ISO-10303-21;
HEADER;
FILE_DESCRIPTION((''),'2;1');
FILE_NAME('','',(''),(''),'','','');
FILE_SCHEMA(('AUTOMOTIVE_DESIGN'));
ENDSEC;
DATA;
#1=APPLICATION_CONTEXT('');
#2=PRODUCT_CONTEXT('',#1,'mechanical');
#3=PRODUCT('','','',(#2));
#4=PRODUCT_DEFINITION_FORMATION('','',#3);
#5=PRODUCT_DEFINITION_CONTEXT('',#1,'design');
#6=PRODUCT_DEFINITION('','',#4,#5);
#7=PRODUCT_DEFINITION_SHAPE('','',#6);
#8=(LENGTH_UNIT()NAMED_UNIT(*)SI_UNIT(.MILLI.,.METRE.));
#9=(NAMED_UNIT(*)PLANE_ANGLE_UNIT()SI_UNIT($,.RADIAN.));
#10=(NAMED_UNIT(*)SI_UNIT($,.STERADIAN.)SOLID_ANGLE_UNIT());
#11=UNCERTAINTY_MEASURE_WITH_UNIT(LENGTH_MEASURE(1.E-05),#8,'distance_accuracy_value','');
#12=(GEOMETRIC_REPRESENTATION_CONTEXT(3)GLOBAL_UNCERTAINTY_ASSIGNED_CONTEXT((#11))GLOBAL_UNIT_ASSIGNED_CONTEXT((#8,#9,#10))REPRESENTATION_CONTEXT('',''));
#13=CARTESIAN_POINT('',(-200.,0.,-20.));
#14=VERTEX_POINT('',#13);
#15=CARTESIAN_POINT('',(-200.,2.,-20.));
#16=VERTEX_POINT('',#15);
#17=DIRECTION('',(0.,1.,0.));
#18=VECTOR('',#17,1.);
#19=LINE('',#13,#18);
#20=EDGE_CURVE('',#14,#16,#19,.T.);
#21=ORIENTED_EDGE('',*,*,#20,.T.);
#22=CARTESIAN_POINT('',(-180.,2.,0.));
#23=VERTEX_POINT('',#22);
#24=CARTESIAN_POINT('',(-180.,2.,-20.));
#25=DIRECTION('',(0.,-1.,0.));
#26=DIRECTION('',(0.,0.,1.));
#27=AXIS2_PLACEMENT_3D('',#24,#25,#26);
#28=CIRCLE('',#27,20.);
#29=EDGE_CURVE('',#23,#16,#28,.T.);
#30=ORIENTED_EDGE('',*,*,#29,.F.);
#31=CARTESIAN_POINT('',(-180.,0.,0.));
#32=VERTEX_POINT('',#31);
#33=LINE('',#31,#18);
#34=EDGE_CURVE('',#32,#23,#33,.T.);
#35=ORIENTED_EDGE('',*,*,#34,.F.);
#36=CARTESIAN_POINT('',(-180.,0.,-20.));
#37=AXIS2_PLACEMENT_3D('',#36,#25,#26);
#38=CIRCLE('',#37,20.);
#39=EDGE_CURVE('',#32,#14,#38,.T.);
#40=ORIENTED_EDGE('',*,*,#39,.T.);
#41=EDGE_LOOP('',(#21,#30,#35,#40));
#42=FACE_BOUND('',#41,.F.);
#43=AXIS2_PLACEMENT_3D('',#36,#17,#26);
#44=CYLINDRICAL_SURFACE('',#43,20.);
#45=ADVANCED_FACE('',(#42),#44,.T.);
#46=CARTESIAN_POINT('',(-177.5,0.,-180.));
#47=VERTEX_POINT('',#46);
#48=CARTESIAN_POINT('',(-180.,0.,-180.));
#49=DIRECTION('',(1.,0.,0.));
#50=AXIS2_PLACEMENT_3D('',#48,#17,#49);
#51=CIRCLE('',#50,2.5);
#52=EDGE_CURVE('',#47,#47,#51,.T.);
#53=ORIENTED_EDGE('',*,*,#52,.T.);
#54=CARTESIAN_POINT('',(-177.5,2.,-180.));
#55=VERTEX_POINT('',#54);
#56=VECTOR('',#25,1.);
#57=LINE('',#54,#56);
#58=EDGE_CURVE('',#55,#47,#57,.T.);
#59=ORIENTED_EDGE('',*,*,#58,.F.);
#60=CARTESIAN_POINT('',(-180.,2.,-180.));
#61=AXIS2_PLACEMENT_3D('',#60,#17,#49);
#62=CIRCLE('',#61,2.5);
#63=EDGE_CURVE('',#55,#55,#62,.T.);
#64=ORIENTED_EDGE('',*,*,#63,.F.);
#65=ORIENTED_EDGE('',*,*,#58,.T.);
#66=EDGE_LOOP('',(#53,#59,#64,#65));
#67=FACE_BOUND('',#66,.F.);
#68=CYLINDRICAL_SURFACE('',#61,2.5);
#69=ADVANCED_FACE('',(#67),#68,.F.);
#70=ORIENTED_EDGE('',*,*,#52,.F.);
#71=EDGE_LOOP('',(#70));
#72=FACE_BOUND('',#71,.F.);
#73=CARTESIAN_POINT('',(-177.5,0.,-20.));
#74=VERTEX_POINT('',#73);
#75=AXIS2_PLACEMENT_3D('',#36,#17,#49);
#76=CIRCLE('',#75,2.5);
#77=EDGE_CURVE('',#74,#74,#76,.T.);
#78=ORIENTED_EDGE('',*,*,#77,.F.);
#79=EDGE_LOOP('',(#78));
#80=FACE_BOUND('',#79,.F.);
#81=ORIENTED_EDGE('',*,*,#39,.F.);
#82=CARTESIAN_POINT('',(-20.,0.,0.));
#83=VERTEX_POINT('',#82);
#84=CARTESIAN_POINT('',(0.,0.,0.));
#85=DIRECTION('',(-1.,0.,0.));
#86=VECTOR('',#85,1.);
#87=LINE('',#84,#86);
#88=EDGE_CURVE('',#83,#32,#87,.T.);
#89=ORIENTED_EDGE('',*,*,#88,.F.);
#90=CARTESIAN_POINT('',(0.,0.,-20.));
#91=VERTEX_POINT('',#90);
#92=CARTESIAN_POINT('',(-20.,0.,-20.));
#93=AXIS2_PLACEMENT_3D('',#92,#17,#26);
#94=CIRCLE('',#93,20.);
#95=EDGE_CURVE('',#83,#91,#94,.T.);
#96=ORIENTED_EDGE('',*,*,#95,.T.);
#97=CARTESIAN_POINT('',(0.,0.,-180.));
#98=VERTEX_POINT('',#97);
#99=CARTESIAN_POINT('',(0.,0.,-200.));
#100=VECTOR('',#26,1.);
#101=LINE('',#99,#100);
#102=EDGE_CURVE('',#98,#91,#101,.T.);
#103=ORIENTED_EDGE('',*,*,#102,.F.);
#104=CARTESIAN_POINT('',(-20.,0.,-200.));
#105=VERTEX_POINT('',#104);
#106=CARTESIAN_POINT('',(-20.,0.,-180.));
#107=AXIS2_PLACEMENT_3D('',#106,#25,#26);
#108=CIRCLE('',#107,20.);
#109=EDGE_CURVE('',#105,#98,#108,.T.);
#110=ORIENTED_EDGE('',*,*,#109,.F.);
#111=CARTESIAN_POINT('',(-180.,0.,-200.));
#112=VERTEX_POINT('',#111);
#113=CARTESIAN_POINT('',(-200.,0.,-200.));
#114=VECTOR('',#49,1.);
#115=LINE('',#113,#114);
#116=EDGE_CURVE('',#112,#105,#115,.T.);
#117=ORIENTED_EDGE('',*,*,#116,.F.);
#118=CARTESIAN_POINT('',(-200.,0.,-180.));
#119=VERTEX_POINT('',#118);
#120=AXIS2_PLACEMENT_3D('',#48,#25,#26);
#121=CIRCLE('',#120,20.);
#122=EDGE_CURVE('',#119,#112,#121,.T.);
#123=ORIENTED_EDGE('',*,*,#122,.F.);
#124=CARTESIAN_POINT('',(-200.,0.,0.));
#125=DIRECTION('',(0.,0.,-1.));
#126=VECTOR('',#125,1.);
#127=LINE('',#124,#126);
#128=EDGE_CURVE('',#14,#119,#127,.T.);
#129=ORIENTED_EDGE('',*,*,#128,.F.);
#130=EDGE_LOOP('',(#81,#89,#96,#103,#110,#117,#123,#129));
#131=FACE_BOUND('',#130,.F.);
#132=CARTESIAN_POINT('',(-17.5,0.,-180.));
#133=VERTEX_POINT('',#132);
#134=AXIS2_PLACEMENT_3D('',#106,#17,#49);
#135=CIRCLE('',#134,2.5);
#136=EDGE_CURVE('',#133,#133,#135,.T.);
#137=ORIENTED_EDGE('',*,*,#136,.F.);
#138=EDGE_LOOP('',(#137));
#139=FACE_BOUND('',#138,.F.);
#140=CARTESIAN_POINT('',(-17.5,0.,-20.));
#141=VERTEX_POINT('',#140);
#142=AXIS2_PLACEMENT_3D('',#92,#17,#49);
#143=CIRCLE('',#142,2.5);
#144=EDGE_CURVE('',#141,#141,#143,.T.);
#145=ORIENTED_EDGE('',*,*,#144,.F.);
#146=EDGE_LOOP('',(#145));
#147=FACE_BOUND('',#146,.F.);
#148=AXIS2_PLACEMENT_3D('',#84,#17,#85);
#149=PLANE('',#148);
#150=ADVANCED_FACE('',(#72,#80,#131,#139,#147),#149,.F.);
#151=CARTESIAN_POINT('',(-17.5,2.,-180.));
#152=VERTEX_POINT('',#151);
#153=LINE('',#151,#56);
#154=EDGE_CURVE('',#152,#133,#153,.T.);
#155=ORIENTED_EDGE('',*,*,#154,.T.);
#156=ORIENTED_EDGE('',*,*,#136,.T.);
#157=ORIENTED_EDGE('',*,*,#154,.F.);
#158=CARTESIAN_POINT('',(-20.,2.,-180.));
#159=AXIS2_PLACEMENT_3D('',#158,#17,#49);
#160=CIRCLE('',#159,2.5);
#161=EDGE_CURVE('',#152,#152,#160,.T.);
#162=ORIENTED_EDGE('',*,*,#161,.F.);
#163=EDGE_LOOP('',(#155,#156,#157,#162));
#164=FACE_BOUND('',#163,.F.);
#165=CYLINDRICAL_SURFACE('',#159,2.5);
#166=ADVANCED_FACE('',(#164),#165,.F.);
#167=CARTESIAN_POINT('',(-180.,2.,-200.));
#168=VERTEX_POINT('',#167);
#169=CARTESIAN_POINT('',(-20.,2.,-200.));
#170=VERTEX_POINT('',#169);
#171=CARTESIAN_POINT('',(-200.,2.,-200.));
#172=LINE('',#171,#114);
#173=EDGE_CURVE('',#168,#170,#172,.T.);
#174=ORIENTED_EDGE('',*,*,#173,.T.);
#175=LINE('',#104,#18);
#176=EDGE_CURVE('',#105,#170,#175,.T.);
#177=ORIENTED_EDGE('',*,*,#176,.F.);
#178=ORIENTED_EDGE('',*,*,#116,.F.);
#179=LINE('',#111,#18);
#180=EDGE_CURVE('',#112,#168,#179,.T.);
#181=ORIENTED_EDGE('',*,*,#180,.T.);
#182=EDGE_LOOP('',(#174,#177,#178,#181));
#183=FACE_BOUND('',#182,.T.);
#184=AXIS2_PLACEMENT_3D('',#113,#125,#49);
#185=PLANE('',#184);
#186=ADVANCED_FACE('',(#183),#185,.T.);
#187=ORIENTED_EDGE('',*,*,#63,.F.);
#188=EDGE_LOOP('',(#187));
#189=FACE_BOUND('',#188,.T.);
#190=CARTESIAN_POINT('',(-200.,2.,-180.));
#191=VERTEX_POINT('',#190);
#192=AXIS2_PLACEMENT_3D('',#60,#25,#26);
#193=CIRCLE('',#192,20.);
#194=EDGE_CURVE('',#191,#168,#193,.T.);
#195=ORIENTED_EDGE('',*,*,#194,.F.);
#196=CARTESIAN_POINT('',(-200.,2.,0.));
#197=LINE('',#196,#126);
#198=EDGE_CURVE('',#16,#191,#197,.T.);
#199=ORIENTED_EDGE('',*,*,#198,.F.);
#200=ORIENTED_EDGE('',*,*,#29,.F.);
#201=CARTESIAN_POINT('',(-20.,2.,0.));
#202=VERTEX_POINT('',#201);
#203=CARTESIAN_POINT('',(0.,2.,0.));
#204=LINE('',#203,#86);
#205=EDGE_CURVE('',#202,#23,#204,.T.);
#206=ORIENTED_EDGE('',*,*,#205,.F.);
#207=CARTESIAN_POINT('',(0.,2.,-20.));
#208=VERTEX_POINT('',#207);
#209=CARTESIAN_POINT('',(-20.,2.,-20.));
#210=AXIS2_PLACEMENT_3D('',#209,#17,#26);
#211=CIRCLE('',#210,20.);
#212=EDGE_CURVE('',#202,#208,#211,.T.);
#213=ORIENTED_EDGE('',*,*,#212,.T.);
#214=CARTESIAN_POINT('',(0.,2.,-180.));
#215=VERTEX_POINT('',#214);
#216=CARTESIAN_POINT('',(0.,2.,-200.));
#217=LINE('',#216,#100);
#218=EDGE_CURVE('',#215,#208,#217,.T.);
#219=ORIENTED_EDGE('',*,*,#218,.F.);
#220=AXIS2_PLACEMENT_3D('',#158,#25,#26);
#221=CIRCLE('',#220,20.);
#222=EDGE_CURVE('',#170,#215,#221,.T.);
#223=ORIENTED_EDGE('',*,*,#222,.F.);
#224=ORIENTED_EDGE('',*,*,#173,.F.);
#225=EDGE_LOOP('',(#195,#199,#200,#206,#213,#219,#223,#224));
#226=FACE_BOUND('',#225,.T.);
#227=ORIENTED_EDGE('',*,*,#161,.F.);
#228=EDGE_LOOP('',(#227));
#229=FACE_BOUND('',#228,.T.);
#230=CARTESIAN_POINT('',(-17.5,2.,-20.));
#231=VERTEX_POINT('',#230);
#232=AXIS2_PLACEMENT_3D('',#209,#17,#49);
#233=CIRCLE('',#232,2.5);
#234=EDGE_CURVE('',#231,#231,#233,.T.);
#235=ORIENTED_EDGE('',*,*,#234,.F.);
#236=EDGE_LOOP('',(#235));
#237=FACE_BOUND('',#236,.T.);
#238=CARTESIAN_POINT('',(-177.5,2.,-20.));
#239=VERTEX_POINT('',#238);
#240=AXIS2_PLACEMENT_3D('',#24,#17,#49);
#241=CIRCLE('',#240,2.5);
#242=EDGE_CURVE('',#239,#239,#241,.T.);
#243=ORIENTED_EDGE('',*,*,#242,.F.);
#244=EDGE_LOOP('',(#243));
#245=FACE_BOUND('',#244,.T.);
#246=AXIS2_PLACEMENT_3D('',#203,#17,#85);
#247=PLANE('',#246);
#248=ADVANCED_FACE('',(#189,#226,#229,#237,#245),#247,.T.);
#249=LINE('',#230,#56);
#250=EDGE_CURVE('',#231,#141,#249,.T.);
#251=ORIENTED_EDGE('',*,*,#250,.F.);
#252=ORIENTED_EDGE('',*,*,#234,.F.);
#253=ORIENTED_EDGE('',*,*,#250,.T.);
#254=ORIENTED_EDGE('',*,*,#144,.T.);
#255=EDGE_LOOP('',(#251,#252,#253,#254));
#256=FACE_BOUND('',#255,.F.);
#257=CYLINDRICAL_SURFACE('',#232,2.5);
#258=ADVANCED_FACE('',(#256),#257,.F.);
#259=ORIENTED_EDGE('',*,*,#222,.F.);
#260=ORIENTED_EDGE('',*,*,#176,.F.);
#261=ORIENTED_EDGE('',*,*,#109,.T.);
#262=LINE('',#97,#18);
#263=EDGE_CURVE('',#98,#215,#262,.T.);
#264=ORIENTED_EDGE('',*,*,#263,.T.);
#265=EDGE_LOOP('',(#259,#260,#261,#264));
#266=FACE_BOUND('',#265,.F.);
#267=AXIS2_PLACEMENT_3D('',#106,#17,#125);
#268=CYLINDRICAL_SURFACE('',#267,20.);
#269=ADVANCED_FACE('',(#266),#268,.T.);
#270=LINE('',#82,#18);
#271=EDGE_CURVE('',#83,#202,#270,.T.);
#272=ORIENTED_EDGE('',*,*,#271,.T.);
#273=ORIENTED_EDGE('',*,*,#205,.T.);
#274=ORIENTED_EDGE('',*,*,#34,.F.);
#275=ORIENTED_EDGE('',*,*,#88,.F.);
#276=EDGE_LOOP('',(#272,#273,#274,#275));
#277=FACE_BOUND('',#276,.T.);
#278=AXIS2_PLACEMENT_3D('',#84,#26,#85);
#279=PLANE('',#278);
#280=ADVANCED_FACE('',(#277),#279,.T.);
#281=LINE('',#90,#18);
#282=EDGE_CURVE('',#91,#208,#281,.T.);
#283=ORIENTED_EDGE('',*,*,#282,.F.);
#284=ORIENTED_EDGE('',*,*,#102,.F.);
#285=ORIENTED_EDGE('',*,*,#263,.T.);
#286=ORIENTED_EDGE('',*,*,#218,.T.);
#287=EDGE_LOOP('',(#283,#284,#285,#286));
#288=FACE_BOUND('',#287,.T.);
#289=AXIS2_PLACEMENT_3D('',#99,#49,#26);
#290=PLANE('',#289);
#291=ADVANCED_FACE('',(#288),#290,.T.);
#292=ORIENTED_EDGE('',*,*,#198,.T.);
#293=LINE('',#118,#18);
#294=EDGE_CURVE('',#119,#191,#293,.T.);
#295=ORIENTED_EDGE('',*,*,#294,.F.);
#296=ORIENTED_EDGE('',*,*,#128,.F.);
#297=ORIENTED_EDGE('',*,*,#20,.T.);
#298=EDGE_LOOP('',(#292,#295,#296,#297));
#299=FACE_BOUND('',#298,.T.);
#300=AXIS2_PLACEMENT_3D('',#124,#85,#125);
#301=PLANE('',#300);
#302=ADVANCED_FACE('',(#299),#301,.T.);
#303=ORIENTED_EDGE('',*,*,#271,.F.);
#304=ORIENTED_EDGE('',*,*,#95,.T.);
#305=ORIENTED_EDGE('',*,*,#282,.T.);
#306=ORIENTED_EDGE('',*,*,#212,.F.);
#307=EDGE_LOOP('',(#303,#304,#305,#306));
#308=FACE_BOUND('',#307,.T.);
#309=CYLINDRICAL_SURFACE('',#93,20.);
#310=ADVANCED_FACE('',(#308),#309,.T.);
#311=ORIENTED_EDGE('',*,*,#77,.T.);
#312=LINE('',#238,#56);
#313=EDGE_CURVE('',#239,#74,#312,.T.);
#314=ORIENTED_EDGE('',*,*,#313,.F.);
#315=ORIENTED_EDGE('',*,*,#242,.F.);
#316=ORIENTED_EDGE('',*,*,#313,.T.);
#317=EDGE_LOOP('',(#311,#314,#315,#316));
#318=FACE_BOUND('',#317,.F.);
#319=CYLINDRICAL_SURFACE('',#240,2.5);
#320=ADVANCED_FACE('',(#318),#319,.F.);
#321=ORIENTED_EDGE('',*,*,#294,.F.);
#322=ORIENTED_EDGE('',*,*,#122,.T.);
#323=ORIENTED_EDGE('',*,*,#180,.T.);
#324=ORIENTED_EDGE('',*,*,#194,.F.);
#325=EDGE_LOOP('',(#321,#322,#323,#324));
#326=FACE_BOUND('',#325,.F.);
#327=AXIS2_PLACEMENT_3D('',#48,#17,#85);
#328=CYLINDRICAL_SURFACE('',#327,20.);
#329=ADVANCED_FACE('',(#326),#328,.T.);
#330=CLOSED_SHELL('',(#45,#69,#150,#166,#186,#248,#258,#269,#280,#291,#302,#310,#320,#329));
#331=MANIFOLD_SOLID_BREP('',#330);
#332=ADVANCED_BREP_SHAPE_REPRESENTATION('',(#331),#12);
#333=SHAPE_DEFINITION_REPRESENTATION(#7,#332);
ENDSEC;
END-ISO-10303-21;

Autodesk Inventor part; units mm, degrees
ref_plane "YZ Plane" through (0, 0, 0) normal (1, 0, 0) x (0, 1, 0)
ref_plane "XZ Plane" through (0, 0, 0) normal (0, 1, 0) x (-1, 0, 0)
ref_plane "XY Plane" through (0, 0, 0) normal (0, 0, 1) x (1, 0, 0)
sketch "Sketch1" plane through (0, 0, 0) normal (0, 1, 0) x (-1, 0, 0)
  line L0 (0, 0) -> (200, 0)
  line L1 (200, 0) -> (200, -200)
  line L2 (200, -200) -> (0, -200)
  line L3 (0, -200) -> (0, 0)
  dimension "d0" = 200
  dimension "d1" = 200
extrude "Extrusion1" add sketch "Sketch1" along normal blind 2
fillet "Fillet1" radius 20 4 edges at (-200, 1, 0) (0, 1, 0) (0, 1, -200) (-200, 1, -200)
sketch "Sketch4" plane through (0, 2, 0) normal (0, 1, 0) x (1, 0, 0)
  arc A0 (-20, 0) -> (0, 20) centre (-20, 20) ccw projected
  arc A1 (-200, 20) -> (-180, 0) centre (-180, 20) ccw projected
  arc A2 (0, 180) -> (-20, 200) centre (-20, 180) ccw projected
  arc A3 (-180, 200) -> (-200, 180) centre (-180, 180) ccw projected
  circle A4 centre (-20, 180) radius 2.5
  circle A5 centre (-180, 180) radius 2.5
  circle A6 centre (-180, 20) radius 2.5
  circle A7 centre (-20, 20) radius 2.5
  line L0 (-180, 0) -> (-20, 0) projected
  line L1 (0, 20) -> (0, 180) projected
  point P0 (0, 0)
  dimension "d19" = 5
  dimension "d20" = 5
  dimension "d21" = 5
  dimension "d22" = 5
extrude "Extrusion4" cut sketch "Sketch4" against normal blind 2
properties part number "Basequadrada" material "PPS Plastic"
